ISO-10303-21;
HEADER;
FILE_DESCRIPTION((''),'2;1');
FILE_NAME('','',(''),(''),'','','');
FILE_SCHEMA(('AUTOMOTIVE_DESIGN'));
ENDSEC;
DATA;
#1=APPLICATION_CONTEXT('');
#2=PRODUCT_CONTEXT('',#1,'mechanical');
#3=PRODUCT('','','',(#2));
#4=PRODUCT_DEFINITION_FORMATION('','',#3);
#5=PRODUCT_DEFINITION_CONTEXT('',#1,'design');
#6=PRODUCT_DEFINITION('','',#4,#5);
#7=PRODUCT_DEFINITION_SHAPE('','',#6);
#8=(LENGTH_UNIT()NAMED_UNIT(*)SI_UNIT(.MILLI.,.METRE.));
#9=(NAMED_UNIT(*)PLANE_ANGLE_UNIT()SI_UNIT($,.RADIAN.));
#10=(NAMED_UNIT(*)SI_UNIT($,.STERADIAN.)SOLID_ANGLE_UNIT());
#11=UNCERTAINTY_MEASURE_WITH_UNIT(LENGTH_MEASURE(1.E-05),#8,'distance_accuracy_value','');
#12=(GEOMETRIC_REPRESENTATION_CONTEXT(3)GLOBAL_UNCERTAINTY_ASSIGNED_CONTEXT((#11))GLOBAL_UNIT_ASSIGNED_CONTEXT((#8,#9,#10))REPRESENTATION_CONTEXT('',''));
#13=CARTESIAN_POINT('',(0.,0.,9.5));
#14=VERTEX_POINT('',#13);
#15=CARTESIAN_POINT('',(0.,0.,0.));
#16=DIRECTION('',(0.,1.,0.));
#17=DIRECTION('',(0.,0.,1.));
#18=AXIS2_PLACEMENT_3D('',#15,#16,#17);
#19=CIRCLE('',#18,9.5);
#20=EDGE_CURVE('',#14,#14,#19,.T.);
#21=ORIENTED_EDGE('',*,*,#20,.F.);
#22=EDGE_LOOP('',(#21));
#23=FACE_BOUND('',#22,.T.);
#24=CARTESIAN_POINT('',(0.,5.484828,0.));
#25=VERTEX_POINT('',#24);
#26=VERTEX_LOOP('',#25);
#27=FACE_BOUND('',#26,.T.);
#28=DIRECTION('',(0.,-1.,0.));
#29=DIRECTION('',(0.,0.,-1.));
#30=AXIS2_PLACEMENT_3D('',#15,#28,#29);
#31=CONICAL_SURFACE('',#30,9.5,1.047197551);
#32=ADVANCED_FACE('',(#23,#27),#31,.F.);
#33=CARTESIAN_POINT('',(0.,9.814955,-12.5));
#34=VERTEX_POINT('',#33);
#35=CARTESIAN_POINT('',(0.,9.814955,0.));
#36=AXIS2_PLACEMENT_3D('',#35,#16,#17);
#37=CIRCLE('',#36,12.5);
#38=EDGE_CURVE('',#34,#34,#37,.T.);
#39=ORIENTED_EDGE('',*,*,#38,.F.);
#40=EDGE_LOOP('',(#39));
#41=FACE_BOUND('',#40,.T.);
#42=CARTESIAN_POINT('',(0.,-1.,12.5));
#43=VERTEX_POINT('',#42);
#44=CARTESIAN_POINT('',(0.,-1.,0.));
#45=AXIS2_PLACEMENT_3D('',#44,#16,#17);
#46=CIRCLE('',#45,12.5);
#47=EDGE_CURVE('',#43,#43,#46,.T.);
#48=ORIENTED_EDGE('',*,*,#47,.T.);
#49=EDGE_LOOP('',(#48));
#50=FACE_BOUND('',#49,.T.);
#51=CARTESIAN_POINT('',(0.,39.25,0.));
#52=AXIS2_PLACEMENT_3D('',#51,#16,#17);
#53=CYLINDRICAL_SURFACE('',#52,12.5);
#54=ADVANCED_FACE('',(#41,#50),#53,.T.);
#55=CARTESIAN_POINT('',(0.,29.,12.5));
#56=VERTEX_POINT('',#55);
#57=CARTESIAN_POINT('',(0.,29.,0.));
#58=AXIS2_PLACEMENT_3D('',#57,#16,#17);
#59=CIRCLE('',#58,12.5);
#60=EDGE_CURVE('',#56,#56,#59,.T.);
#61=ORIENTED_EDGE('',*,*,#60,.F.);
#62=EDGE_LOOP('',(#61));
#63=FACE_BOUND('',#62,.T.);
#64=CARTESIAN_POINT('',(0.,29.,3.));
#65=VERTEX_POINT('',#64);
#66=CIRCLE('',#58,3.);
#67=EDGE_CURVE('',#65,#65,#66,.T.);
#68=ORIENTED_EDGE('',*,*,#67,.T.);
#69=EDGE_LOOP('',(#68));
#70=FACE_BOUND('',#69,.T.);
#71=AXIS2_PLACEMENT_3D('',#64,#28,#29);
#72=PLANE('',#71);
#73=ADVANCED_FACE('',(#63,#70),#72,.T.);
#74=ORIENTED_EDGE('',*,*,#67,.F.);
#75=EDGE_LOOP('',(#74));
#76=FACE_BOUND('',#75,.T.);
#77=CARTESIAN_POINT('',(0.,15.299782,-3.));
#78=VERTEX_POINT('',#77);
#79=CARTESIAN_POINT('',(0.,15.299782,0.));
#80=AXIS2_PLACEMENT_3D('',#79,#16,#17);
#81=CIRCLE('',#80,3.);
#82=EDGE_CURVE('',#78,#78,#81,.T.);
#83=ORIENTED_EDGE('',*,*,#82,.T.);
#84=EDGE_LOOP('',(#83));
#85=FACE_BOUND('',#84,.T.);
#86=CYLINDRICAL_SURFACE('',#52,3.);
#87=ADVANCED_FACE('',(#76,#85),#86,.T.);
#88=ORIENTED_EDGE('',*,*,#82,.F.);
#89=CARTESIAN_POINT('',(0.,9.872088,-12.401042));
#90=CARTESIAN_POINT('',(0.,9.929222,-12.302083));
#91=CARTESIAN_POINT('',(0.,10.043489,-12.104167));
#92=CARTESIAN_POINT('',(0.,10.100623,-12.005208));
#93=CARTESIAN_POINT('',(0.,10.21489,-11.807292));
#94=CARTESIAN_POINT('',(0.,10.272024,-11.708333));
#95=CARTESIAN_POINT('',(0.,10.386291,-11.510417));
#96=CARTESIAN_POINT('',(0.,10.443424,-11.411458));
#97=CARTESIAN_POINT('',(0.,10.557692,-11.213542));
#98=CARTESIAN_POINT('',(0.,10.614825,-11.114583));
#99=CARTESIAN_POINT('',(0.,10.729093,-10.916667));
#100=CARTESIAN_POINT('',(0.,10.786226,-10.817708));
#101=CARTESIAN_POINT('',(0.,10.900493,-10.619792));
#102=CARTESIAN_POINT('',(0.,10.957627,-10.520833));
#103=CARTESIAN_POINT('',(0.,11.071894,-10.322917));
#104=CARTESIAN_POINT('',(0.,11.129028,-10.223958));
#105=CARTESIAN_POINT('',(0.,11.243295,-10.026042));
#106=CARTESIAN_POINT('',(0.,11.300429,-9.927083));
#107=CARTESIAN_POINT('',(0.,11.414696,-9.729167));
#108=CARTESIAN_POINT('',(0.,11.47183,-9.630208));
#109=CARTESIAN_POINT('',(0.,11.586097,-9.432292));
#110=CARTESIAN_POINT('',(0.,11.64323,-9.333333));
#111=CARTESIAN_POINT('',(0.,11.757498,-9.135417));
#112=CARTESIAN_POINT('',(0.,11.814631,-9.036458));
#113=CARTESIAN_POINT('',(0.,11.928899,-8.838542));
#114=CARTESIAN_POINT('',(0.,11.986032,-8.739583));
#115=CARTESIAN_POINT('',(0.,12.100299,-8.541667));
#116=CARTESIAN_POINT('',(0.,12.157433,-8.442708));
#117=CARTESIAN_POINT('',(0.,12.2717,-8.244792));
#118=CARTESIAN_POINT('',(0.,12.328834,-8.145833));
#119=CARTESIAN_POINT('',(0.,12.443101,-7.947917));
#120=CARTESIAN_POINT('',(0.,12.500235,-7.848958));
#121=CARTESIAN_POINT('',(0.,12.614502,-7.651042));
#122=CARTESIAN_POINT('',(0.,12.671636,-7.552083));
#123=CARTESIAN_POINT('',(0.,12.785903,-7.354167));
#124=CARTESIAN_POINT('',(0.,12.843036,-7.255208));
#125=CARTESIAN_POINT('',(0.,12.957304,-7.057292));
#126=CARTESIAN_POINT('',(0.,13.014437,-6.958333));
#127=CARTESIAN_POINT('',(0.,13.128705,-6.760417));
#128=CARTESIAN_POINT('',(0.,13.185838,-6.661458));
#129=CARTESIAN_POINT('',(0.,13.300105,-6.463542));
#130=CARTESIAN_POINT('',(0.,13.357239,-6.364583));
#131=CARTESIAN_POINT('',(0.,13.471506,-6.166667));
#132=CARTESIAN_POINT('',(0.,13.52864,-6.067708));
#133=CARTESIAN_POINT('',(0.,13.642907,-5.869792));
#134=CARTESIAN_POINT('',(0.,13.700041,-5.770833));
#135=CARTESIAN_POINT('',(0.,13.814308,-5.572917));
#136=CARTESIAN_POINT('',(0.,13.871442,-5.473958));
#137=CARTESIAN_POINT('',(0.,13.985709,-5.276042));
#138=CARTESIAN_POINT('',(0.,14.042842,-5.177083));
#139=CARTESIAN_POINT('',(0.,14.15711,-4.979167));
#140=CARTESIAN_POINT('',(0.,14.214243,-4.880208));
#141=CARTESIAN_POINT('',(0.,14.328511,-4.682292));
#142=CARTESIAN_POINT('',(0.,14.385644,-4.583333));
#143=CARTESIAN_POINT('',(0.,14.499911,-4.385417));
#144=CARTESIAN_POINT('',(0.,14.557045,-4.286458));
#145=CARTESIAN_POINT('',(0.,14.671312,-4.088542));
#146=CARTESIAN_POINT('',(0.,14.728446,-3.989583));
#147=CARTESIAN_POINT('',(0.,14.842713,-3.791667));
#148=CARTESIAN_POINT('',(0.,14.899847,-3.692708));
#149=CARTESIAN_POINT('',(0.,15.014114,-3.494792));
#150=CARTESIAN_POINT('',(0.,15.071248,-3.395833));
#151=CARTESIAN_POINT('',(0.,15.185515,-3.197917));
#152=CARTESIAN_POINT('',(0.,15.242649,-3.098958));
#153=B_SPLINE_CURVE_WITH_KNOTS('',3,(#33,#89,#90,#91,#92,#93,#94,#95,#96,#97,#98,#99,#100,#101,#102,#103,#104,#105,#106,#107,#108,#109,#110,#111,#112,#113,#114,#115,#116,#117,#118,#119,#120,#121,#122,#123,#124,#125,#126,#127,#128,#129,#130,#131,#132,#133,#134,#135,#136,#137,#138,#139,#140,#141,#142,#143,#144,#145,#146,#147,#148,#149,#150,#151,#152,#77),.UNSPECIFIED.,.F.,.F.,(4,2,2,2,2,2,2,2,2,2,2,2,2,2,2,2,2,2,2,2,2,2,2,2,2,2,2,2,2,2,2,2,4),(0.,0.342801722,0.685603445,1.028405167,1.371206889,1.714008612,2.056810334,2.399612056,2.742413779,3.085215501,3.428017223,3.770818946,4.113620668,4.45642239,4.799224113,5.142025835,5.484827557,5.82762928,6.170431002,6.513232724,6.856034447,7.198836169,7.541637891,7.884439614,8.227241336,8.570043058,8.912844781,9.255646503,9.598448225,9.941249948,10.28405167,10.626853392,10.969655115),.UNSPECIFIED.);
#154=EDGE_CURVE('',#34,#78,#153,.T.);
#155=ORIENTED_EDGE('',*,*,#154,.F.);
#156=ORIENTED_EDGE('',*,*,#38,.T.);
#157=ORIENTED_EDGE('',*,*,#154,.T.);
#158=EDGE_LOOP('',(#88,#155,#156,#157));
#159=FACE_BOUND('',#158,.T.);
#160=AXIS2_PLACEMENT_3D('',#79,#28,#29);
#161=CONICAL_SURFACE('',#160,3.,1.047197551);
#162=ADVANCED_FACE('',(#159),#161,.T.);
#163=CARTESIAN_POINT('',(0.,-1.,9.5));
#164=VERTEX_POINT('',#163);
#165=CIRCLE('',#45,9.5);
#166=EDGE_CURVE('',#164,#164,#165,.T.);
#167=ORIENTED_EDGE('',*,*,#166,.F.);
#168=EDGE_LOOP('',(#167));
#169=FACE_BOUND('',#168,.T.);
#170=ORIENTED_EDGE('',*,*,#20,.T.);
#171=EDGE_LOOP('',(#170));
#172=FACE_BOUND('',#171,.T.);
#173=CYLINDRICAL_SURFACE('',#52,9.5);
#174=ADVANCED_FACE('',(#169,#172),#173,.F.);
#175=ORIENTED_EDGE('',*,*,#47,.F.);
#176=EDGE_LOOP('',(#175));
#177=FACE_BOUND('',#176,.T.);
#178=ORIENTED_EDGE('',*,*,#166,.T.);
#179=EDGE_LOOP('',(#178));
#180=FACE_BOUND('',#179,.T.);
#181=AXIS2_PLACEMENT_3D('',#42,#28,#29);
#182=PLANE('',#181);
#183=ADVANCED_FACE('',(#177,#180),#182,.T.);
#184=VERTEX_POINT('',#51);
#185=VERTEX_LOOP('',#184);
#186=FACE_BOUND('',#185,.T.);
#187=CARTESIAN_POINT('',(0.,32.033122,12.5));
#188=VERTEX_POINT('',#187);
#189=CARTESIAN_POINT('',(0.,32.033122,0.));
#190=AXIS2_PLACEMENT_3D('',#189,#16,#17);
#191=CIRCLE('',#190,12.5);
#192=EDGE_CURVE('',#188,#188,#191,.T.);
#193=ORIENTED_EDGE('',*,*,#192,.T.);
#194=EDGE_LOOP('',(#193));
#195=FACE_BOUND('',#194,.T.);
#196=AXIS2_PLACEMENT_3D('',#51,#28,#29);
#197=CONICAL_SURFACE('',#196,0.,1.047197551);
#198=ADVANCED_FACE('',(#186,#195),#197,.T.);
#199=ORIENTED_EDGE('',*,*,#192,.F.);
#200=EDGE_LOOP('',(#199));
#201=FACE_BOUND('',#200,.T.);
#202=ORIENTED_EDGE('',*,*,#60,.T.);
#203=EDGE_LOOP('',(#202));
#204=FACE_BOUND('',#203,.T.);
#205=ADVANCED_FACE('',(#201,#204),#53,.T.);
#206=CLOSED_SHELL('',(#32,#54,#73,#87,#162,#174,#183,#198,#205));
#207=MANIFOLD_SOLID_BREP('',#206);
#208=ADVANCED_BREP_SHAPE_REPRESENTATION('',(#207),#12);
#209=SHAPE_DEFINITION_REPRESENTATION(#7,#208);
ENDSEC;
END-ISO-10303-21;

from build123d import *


with BuildPart() as part:
    # Sketch1 → Revolve1 (revolve)
    with BuildSketch(Plane(origin=(0, 0, 0), x_dir=(0, 0, -1), z_dir=(1, 0, 0))):
        Polygon((0, 5.484827557), (-9.5, 0), (-9.5, -1), (-12.5, -1), (-12.5, 9.814954576), (-3, 15.299782134), (-3, 29), (-12.5, 29), (-12.5, 32.033121635), (0, 39.25), align=None)
    revolve(axis=Axis((0, 39.25, 0), (0, -1, 0)))


solid = part.part
